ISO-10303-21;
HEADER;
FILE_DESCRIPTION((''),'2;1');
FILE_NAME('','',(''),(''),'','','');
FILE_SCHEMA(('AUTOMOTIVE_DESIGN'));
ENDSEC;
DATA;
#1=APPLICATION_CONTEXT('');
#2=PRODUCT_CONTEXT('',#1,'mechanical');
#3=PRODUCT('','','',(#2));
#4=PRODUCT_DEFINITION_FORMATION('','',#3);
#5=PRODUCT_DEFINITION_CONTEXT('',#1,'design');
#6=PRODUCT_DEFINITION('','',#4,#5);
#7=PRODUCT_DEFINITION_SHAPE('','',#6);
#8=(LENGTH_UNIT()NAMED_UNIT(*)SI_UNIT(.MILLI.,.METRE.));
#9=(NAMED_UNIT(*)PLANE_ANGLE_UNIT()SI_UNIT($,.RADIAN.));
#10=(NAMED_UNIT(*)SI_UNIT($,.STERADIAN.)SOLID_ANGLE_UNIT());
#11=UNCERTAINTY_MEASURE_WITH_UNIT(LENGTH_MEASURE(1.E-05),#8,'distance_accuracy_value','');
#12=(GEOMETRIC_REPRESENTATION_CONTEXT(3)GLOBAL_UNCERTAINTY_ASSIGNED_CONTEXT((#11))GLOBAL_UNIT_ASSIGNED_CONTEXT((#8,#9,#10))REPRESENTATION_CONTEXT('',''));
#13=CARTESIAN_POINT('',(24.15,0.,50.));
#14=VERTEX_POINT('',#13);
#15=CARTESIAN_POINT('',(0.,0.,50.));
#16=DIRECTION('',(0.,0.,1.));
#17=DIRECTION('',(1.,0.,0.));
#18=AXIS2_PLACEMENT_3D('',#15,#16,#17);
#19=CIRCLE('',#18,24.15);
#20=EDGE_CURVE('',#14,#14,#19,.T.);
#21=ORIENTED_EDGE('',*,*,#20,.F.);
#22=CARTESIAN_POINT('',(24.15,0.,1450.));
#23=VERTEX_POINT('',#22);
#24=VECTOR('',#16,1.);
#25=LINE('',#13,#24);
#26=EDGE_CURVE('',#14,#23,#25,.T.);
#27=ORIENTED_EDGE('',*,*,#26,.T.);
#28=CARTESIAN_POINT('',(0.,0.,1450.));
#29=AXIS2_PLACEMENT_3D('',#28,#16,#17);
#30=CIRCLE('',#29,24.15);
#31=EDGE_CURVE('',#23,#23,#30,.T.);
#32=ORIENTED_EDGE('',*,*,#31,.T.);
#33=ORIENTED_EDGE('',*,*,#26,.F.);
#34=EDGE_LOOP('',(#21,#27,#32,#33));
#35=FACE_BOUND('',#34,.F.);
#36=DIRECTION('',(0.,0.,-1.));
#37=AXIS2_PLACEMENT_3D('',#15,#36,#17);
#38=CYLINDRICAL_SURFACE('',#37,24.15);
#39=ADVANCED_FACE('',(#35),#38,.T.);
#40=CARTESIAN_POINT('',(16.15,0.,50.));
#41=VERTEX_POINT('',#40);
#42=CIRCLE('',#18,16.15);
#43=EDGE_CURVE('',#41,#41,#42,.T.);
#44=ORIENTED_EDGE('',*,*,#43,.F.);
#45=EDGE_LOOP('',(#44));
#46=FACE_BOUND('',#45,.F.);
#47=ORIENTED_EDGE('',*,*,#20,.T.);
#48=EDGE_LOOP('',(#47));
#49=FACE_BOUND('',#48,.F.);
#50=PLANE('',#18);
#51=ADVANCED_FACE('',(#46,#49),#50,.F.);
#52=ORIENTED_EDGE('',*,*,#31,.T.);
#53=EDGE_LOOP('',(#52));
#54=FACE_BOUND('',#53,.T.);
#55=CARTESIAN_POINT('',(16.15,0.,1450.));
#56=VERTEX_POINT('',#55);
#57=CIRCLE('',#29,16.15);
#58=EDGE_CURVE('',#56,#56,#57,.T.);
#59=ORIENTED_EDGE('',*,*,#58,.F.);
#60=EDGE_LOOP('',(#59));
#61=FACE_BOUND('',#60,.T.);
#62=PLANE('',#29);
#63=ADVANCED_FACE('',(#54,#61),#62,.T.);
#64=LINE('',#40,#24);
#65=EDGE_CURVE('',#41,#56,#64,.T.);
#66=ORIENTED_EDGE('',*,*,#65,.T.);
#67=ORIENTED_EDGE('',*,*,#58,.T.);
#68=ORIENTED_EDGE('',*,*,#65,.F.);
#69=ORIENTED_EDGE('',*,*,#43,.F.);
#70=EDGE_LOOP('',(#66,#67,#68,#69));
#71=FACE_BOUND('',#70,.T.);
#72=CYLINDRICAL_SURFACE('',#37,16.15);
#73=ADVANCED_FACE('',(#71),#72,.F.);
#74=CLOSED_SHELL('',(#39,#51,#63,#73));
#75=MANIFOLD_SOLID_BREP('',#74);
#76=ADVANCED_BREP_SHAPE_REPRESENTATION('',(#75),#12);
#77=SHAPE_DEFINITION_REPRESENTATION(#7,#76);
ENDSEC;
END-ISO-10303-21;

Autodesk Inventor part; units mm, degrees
ref_plane "Начальная плоскость" through (0, 0, 50) normal (0, 0, 1) x (1, 0, 0)
ref_plane "Конечная плоскость" through (0, 0, 1450) normal (0, 0, 1) x (1, 0, 0)
sketch "Эскиз" plane through (0, 0, 0) normal (0, 0, 1) x (1, 0, 0)
  circle A0 centre (0, 0) radius 16.15
  circle A1 centre (0, 0) radius 24.15
  dimension "d0" = 48.3
  dimension "d1" = 8
extrude "Тело" add sketch "Эскиз" along normal up to surface (1400 mm away) from surface at 50
sketch "Sketch3" plane through (0, 0, 0) normal (0, 0, 1) x (1, 0, 0)
  line L0 (0, 0) -> (10, 0)
ref_plane "Work Plane3" through (0, 0, 0) normal (0, -1, 0) x (1, 0, 0)
sketch "Sketch4" plane through (0, 0, 0) normal (0, -1, 0) x (1, 0, 0)
  line L0 (-2, 50) -> (12, 50)
  line L1 (-2, 1450) -> (12, 1450)
  dimension "d7" = 1400
ref_plane "РабПлоскость4" through (-975, -1000, 50) normal (0, 0, -1) x (-1, 0, 0)
split "Разделение1" plane through (-975, -1000, 50) removes the side toward (0, 0, -1)
ref_plane "РабПлоскость5" through (-1025, -1000, 1450) normal (0, 0, 1) x (1, 0, 0)
split "Разделение2" plane through (-1025, -1000, 1450) removes the side toward (0, 0, 1)
equation "\"d0\" = G_H"
equation "\"d1\" = G_T"
equation "\"d2\" = G_L"
equation "\"G_H\" = 48.3"
equation "\"G_T\" = 8"
equation "\"G_L\" = d7"
properties part number "DIN2448 - 48,3 x 8 - 1400" material "Сталь, углеродистая"
